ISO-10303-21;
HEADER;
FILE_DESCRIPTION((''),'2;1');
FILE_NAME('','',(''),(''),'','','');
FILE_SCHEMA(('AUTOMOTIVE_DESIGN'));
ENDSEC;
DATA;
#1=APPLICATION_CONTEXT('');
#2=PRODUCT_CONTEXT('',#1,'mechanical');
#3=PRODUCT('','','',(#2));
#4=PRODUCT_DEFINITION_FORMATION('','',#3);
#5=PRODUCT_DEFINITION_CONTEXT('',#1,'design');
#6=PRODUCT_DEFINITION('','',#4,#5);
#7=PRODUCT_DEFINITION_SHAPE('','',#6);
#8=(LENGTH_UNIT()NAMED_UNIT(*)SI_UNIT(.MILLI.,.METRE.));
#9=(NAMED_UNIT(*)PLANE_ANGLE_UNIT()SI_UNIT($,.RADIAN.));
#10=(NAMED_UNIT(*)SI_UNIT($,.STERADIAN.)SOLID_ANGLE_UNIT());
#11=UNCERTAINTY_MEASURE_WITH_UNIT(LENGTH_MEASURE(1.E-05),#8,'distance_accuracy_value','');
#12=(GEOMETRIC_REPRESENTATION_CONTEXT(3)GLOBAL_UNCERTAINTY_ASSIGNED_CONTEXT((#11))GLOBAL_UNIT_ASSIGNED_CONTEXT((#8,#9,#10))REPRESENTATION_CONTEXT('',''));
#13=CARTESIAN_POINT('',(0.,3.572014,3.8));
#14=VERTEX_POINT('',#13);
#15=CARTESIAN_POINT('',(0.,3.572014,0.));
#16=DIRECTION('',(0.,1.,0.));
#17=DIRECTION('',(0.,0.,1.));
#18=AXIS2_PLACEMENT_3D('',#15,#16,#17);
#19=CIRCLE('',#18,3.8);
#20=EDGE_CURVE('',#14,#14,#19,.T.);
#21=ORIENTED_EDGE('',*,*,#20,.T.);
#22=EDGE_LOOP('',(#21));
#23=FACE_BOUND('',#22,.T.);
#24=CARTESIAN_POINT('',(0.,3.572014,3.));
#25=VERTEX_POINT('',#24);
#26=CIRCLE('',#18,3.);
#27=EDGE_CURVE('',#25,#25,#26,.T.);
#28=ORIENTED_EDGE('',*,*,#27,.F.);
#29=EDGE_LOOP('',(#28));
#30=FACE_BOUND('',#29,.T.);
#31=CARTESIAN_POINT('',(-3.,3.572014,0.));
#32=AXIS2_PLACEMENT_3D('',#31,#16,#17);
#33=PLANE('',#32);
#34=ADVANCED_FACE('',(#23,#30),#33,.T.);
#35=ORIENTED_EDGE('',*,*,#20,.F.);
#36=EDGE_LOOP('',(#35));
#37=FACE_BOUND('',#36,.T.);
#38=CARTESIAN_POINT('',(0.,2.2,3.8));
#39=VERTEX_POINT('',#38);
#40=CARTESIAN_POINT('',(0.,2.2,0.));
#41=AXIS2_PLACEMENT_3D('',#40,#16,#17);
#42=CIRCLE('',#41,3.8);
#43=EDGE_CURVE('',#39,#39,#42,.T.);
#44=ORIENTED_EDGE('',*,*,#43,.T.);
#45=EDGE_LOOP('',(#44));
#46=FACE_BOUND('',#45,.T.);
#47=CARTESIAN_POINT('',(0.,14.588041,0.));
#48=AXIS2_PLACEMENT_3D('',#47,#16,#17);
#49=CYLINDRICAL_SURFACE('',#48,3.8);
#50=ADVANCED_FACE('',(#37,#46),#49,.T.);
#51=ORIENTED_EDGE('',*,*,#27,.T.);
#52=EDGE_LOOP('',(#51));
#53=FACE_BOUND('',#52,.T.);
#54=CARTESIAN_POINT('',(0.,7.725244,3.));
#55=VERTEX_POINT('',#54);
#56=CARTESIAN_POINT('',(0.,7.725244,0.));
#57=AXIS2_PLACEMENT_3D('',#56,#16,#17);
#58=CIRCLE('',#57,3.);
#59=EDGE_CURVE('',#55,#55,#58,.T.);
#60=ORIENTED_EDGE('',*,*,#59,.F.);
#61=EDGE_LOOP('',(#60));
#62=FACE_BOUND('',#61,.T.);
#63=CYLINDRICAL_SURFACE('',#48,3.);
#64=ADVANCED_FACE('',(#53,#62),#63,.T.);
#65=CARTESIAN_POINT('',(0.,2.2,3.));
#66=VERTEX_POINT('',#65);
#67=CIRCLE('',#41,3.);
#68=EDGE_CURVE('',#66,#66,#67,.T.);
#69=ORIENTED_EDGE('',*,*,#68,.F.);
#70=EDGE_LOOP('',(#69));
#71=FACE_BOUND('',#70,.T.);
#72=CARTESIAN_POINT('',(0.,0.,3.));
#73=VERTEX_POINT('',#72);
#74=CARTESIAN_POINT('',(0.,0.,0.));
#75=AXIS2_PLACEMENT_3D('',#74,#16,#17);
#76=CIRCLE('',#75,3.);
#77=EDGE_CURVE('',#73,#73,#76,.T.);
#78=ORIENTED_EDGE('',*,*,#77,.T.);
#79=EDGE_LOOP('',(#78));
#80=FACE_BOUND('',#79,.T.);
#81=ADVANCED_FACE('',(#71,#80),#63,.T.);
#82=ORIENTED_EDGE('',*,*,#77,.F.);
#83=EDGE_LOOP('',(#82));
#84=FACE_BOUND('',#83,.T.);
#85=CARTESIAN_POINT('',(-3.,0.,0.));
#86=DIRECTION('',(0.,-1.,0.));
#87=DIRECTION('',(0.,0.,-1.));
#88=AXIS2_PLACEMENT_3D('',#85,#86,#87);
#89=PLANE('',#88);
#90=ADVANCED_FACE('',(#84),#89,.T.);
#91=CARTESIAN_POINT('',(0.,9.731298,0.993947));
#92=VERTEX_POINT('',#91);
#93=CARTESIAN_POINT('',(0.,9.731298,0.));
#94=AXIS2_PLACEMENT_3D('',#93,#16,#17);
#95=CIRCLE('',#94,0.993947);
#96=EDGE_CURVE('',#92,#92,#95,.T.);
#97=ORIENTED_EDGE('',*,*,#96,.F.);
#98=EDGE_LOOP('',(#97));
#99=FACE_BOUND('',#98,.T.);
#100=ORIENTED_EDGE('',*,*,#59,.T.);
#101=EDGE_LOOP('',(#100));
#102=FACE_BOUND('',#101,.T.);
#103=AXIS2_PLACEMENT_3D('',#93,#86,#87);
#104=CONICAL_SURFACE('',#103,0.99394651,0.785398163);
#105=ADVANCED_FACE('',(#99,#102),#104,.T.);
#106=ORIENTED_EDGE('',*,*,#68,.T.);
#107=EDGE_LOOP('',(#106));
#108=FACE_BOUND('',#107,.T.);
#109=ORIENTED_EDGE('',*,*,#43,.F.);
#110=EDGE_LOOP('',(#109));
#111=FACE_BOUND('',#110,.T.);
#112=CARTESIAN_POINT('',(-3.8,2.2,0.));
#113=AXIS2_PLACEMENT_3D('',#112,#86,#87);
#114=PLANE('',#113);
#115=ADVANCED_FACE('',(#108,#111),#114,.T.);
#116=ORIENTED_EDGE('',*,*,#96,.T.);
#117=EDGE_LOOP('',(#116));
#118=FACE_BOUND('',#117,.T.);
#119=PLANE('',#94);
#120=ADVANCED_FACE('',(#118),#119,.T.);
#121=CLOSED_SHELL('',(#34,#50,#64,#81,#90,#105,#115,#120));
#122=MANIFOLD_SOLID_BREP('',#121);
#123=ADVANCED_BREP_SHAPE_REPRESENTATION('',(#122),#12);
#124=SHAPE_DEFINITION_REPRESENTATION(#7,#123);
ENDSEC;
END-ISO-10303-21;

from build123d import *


with BuildPart() as part:
    # Эскиз1 → Повернуть1 (revolve)
    with BuildSketch(Plane.XY):
        Polygon((-3.8, 3.572013722), (-3.8, 2.2), (-3, 2.2), (-3, 0), (0, 0), (0, 9.73129778), (-0.99394651, 9.73129778), (-3, 7.72524429), (-3, 3.572013722), align=None)
    revolve(axis=Axis((0, 14.588041347, 0), (0, -1, 0)))


solid = part.part
